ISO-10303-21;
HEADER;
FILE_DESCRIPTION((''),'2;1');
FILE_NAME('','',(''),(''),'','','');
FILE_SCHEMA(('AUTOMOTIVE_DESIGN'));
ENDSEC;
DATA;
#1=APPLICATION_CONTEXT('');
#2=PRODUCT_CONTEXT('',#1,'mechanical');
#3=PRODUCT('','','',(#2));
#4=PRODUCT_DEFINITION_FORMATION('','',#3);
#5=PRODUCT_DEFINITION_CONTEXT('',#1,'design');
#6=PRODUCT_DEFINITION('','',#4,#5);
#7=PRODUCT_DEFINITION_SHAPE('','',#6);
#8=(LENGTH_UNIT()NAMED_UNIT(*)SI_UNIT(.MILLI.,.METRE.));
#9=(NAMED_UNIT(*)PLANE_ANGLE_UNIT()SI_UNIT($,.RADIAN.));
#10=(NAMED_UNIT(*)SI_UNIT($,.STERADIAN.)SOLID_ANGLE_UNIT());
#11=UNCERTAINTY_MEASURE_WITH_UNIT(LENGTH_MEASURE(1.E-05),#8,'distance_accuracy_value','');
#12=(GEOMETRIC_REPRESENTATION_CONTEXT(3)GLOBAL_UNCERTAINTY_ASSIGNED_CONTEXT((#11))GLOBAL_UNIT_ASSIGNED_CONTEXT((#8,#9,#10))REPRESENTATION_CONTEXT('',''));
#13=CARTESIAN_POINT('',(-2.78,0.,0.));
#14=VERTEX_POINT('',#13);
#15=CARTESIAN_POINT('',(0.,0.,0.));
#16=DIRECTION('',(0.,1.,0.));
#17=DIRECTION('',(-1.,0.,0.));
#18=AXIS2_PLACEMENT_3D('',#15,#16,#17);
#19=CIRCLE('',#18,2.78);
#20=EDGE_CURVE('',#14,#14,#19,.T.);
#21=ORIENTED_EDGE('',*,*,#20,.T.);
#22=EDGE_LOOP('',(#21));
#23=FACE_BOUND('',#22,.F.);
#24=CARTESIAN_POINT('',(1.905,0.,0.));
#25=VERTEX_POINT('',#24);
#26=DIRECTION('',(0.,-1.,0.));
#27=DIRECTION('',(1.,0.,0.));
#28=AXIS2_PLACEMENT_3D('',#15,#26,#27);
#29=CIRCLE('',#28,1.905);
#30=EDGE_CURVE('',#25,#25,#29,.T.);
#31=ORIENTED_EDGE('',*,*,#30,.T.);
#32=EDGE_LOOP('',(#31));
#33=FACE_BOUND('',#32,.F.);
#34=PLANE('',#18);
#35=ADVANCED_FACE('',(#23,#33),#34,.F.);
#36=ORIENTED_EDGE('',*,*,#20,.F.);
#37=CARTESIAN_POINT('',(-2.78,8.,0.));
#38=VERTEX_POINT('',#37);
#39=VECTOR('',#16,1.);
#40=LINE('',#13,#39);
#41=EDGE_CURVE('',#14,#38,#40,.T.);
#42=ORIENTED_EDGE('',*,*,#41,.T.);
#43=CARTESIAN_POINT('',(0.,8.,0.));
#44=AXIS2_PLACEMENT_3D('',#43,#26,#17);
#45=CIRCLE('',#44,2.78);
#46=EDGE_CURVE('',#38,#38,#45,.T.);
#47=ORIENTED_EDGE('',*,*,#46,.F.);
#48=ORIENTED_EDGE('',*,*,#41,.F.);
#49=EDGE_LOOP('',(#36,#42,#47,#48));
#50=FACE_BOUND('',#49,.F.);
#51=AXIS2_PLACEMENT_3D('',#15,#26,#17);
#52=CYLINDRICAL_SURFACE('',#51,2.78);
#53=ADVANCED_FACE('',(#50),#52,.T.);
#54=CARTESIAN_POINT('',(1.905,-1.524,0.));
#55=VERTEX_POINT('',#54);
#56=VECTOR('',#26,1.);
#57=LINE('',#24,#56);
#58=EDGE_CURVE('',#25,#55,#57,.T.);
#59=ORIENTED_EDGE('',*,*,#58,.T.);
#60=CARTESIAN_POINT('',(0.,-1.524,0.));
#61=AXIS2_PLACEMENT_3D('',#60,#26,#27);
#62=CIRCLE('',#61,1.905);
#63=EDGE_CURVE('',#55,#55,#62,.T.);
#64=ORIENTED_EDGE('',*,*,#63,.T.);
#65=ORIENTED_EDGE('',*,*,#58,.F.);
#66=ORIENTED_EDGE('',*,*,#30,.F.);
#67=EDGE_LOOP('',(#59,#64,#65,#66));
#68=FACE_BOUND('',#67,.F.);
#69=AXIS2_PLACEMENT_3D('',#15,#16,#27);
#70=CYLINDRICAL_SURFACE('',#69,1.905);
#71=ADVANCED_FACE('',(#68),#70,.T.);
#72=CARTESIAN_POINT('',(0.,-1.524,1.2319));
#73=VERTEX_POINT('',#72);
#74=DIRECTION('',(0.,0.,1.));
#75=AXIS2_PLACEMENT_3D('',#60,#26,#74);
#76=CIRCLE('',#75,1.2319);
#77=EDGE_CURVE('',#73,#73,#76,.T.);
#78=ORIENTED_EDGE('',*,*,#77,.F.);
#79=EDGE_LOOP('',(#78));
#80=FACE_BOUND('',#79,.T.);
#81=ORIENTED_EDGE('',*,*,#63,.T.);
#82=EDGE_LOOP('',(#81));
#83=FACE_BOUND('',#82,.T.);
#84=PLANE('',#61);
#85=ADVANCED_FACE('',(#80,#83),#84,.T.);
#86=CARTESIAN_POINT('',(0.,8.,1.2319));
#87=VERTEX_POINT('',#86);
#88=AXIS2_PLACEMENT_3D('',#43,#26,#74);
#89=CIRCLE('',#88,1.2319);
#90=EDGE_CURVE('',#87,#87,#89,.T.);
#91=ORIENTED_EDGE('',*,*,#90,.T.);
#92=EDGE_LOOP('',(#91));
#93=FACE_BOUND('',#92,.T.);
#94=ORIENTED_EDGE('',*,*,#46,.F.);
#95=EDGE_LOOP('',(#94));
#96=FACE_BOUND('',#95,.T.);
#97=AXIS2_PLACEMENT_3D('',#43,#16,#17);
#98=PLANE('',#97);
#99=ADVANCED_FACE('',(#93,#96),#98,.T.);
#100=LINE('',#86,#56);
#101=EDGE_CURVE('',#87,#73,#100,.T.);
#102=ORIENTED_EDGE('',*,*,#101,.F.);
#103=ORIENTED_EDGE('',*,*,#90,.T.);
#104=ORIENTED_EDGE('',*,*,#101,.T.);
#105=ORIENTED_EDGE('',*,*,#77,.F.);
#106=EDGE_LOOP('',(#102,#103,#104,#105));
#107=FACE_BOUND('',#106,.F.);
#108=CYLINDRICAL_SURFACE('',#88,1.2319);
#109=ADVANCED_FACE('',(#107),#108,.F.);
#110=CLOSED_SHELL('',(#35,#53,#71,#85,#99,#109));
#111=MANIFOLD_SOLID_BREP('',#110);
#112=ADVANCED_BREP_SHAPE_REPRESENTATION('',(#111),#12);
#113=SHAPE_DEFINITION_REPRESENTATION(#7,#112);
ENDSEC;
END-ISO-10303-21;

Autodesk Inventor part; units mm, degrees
ref_plane "YZ Plane" through (0, 0, 0) normal (1, 0, 0) x (0, 1, 0)
ref_plane "XZ Plane" through (0, 0, 0) normal (0, 1, 0) x (-1, 0, 0)
ref_plane "XY Plane" through (0, 0, 0) normal (0, 0, 1) x (1, 0, 0)
sketch "Sketch1" plane through (0, 0, 0) normal (0, 1, 0) x (-1, 0, 0)
  circle A0 centre (0, 0) radius 2.78
  circle A1 centre (0, 0) radius 2.045
  dimension "d0" = 5.56
  dimension "d1" = 4.09
extrude "Extrusion1" add sketch "Sketch1" along normal blind 8
sketch "Sketch2" plane through (0, 0, 0) normal (0, -1, 0) x (1, 0, 0)
  circle A0 centre (0, 0) radius 1.905
  dimension "d4" = 3.81
extrude "Extrusion2" add sketch "Sketch2" along normal blind 1.524
sketch "Sketch3" plane through (0, 0, 0) normal (0, -1, 0) x (1, 0, 0)
  circle A0 centre (0, 0) radius 2.78
extrude "Extrusion3" add sketch "Sketch3" against normal up to surface (8 mm away)
sketch "Sketch4" plane through (0, 8, 0) normal (0, 1, 0) x (1, 0, 0)
  point P0 (0, 0)
  point P1 (0, 0)
hole "Hole1" at (0, 8, 0) direction (0, -1, 0) diameter 2.4638 end through all
properties part number "Keystone24884" material "Aluminum 6061"
